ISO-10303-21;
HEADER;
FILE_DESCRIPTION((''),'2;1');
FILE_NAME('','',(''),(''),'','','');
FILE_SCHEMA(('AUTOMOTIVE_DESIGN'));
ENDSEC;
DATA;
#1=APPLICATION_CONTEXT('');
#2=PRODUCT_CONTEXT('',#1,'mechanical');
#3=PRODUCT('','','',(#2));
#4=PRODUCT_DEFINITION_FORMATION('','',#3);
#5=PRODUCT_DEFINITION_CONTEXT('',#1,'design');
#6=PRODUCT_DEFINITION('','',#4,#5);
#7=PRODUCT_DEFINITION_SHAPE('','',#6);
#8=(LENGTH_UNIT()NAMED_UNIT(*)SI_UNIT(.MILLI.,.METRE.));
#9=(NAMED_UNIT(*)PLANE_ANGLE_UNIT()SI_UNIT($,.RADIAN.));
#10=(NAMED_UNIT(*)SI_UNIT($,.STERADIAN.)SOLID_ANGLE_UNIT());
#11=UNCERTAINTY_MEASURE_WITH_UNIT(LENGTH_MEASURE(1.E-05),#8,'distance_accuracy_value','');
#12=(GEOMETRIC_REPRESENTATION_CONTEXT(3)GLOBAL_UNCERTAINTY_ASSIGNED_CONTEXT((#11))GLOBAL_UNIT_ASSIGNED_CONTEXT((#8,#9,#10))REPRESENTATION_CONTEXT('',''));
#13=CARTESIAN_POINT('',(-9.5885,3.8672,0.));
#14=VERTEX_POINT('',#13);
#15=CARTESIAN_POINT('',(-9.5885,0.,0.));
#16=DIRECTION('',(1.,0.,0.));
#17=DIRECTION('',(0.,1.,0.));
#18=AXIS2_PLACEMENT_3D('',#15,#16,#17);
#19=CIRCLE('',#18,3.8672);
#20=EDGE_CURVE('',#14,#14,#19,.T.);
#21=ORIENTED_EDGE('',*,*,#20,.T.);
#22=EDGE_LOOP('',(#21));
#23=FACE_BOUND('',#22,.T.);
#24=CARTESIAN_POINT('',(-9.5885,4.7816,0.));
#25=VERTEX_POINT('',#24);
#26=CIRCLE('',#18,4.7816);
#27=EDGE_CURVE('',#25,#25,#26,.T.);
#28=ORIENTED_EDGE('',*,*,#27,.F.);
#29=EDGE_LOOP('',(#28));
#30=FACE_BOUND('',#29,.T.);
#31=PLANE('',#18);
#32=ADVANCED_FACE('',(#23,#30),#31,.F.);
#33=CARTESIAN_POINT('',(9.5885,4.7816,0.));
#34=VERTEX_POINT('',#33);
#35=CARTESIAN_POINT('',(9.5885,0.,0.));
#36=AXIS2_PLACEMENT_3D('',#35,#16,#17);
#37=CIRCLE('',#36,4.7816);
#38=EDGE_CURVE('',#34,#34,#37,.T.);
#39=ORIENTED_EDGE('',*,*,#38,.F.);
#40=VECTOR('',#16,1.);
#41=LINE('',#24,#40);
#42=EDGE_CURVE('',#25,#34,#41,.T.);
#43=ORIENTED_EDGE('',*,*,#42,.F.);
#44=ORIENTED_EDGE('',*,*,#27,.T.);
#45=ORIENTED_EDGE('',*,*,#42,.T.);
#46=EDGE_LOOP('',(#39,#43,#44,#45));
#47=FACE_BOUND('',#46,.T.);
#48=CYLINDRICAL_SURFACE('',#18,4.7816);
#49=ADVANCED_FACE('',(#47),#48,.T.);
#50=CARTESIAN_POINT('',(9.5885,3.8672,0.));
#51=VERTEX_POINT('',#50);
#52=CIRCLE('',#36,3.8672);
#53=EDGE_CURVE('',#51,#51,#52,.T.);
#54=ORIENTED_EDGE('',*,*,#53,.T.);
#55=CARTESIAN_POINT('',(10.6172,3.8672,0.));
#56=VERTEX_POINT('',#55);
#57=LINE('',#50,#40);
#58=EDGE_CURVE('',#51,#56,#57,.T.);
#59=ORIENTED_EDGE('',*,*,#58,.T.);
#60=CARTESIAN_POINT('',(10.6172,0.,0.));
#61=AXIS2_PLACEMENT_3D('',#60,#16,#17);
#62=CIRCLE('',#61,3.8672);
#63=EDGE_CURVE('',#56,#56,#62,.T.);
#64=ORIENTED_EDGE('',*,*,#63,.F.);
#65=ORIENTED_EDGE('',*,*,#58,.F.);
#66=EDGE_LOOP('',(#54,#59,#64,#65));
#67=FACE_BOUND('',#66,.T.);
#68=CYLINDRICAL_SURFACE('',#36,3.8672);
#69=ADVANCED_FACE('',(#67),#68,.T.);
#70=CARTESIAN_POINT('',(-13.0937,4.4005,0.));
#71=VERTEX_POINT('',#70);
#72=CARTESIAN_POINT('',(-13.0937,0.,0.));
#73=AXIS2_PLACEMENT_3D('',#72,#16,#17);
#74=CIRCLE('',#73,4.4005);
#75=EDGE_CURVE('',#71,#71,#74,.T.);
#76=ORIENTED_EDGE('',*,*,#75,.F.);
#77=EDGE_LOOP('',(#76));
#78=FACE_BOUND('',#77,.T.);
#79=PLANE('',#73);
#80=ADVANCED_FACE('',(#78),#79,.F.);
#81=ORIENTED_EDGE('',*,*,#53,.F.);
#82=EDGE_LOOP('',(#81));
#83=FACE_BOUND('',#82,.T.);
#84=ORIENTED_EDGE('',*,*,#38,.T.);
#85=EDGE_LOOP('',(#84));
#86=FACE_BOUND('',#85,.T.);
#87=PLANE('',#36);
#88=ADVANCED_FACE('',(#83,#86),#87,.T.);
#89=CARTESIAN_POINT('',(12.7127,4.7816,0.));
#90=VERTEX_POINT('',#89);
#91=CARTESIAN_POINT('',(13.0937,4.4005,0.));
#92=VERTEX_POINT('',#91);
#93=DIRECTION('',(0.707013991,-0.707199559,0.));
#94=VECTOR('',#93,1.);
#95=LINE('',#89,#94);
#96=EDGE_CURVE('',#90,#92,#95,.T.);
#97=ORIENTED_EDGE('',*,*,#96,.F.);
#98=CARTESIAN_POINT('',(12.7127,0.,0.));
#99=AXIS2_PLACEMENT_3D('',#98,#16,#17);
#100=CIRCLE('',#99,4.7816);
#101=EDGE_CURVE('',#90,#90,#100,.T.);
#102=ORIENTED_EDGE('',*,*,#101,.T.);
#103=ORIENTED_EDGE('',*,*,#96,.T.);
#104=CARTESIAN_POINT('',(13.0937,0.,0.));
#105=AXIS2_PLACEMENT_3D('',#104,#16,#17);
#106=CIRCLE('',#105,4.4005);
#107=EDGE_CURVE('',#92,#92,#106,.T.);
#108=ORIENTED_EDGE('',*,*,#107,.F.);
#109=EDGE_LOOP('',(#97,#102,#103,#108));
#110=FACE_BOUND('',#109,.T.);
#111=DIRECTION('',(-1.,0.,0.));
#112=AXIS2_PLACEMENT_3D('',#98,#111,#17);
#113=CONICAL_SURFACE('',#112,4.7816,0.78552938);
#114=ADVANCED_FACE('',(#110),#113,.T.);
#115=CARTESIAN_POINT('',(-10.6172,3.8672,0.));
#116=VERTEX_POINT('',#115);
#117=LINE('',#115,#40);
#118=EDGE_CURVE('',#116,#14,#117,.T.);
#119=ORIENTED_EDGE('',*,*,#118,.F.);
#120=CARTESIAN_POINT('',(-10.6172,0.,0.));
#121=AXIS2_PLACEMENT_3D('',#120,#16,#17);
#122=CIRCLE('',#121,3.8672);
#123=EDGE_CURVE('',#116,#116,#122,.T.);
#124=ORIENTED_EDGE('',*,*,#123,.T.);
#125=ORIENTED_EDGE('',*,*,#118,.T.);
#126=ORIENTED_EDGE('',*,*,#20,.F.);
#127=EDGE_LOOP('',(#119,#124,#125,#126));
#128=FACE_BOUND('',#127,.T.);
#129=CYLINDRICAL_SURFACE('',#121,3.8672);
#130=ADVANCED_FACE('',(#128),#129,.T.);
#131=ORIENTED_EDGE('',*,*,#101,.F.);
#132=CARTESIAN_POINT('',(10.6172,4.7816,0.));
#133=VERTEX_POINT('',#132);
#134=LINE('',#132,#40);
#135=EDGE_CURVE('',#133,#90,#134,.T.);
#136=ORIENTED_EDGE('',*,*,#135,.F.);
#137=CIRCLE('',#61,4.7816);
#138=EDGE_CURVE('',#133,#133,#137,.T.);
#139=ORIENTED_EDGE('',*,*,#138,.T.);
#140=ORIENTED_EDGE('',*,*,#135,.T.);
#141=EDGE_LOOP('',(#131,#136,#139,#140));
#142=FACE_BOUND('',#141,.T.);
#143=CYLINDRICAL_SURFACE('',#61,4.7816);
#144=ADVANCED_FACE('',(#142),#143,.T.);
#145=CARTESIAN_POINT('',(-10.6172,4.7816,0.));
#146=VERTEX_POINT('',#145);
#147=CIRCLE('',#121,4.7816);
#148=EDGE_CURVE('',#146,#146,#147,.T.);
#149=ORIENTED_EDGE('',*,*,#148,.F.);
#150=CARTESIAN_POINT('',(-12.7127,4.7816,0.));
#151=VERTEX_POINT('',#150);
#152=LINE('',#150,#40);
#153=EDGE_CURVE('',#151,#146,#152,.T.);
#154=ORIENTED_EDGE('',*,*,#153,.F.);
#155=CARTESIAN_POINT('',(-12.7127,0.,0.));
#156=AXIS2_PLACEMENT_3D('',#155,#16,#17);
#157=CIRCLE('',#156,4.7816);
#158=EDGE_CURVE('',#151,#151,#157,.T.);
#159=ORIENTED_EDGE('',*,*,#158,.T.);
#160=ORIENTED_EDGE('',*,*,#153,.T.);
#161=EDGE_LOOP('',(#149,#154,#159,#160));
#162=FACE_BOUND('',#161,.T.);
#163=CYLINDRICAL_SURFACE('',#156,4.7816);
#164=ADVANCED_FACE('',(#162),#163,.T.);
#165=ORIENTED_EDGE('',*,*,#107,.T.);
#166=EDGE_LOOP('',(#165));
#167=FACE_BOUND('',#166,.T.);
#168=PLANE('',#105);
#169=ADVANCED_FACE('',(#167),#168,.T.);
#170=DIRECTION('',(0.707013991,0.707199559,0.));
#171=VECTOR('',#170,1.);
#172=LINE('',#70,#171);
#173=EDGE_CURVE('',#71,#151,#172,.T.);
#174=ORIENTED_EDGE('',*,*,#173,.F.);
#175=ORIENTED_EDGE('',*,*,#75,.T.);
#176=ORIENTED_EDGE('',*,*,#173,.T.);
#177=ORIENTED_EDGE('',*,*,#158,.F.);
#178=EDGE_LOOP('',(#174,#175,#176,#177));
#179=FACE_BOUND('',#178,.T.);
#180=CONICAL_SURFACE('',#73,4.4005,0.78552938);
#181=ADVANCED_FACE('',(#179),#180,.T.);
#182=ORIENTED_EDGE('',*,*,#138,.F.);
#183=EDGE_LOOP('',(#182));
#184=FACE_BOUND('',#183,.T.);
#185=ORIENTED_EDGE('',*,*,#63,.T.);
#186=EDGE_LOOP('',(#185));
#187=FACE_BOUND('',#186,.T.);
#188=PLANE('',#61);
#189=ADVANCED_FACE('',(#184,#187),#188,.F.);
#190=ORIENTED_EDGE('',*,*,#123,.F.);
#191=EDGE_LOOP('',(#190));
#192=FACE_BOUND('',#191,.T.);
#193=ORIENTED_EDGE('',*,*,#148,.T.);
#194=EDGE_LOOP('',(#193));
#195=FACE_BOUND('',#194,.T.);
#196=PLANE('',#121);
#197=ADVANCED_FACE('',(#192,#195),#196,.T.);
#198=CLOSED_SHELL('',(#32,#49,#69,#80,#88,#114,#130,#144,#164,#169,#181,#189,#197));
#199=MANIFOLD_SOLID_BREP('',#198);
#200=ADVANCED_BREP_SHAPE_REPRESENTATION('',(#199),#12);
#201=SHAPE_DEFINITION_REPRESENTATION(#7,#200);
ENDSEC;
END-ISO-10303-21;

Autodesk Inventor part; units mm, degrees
sketch "Sketch_1" plane through (0, 0, 0) normal (0, 0, 1) x (1, 0, 0)
  line L0 (13.0937, 0) -> (-13.0937, 0)
  line L1 (-13.0937, 0) -> (-13.0937, 4.4005)
  line L2 (-13.0937, 4.4005) -> (-12.7127, 4.7816)
  line L3 (-12.7127, 4.7816) -> (-10.6172, 4.7816)
  line L4 (-10.6172, 4.7816) -> (-10.6172, 3.8672)
  line L5 (-10.6172, 3.8672) -> (-9.5885, 3.8672)
  line L6 (-9.5885, 3.8672) -> (-9.5885, 4.7816)
  line L7 (-9.5885, 4.7816) -> (9.5885, 4.7816)
  line L8 (9.5885, 4.7816) -> (9.5885, 3.8672)
  line L9 (9.5885, 3.8672) -> (10.6172, 3.8672)
  line L10 (10.6172, 3.8672) -> (10.6172, 4.7816)
  line L11 (10.6172, 4.7816) -> (12.7127, 4.7816)
  line L12 (12.7127, 4.7816) -> (13.0937, 4.4005)
  line L13 (13.0937, 4.4005) -> (13.0937, 0)
  line L14 (13.0937, 0) -> (-13.0937, 0)
revolve "Revolution1" add sketch "Sketch_1" angle 360 about axis through (13.0937, 0, 0) along (1, 0, 0)
ref_plane "p1_XY" through (0, 0, 4.7816) normal (1, 0, 0) x (0, 0, -1)
ref_plane "p1_YZ" through (0, 0, 4.7816) normal (0, 0, -1) x (0, 1, 0)
ref_plane "p1_ZX" through (0, 0, 4.7816) normal (0, 1, 0) x (1, 0, 0)
ref_plane "p2_XY" through (0, 0, -4.7816) normal (1, 0, 0) x (0, 0, -1)
ref_plane "p2_YZ" through (0, 0, -4.7816) normal (0, 0, -1) x (0, 1, 0)
ref_plane "p2_ZX" through (0, 0, -4.7816) normal (0, 1, 0) x (1, 0, 0)
ref_plane "pin_XY" through (0, 0, 0) normal (1, 0, 0) x (0, 0, -1)
ref_plane "pin_YZ" through (0, 0, 0) normal (0, 0, -1) x (0, 1, 0)
ref_plane "pin_ZX" through (0, 0, 0) normal (0, 1, 0) x (1, 0, 0)
ref_plane "rr1_XY" through (10.1029, 0, 0) normal (1, 0, 0) x (0, 0, -1)
ref_plane "rr1_YZ" through (10.1029, 0, 0) normal (0, 0, -1) x (0, 1, 0)
ref_plane "rr1_ZX" through (10.1029, 0, 0) normal (0, 1, 0) x (1, 0, 0)
ref_plane "rr2_XY" through (-10.1029, 0, 0) normal (1, 0, 0) x (0, 0, -1)
ref_plane "rr2_YZ" through (-10.1029, 0, 0) normal (0, 0, -1) x (0, 1, 0)
ref_plane "rr2_ZX" through (-10.1029, 0, 0) normal (0, 1, 0) x (1, 0, 0)
ref_plane "w21_XY" through (13.0937, 0, 0) normal (0, 1, 0) x (1, 0, 0)
ref_plane "w21_YZ" through (13.0937, 0, 0) normal (1, 0, 0) x (0, 0, -1)
ref_plane "w21_ZX" through (13.0937, 0, 0) normal (0, 0, -1) x (0, 1, 0)
ref_plane "w22_XY" through (-13.0937, 0, 0) normal (0, 1, 0) x (1, 0, 0)
ref_plane "w22_YZ" through (-13.0937, 0, 0) normal (1, 0, 0) x (0, 0, -1)
ref_plane "w22_ZX" through (-13.0937, 0, 0) normal (0, 0, -1) x (0, 1, 0)
properties part number "D-8383"
